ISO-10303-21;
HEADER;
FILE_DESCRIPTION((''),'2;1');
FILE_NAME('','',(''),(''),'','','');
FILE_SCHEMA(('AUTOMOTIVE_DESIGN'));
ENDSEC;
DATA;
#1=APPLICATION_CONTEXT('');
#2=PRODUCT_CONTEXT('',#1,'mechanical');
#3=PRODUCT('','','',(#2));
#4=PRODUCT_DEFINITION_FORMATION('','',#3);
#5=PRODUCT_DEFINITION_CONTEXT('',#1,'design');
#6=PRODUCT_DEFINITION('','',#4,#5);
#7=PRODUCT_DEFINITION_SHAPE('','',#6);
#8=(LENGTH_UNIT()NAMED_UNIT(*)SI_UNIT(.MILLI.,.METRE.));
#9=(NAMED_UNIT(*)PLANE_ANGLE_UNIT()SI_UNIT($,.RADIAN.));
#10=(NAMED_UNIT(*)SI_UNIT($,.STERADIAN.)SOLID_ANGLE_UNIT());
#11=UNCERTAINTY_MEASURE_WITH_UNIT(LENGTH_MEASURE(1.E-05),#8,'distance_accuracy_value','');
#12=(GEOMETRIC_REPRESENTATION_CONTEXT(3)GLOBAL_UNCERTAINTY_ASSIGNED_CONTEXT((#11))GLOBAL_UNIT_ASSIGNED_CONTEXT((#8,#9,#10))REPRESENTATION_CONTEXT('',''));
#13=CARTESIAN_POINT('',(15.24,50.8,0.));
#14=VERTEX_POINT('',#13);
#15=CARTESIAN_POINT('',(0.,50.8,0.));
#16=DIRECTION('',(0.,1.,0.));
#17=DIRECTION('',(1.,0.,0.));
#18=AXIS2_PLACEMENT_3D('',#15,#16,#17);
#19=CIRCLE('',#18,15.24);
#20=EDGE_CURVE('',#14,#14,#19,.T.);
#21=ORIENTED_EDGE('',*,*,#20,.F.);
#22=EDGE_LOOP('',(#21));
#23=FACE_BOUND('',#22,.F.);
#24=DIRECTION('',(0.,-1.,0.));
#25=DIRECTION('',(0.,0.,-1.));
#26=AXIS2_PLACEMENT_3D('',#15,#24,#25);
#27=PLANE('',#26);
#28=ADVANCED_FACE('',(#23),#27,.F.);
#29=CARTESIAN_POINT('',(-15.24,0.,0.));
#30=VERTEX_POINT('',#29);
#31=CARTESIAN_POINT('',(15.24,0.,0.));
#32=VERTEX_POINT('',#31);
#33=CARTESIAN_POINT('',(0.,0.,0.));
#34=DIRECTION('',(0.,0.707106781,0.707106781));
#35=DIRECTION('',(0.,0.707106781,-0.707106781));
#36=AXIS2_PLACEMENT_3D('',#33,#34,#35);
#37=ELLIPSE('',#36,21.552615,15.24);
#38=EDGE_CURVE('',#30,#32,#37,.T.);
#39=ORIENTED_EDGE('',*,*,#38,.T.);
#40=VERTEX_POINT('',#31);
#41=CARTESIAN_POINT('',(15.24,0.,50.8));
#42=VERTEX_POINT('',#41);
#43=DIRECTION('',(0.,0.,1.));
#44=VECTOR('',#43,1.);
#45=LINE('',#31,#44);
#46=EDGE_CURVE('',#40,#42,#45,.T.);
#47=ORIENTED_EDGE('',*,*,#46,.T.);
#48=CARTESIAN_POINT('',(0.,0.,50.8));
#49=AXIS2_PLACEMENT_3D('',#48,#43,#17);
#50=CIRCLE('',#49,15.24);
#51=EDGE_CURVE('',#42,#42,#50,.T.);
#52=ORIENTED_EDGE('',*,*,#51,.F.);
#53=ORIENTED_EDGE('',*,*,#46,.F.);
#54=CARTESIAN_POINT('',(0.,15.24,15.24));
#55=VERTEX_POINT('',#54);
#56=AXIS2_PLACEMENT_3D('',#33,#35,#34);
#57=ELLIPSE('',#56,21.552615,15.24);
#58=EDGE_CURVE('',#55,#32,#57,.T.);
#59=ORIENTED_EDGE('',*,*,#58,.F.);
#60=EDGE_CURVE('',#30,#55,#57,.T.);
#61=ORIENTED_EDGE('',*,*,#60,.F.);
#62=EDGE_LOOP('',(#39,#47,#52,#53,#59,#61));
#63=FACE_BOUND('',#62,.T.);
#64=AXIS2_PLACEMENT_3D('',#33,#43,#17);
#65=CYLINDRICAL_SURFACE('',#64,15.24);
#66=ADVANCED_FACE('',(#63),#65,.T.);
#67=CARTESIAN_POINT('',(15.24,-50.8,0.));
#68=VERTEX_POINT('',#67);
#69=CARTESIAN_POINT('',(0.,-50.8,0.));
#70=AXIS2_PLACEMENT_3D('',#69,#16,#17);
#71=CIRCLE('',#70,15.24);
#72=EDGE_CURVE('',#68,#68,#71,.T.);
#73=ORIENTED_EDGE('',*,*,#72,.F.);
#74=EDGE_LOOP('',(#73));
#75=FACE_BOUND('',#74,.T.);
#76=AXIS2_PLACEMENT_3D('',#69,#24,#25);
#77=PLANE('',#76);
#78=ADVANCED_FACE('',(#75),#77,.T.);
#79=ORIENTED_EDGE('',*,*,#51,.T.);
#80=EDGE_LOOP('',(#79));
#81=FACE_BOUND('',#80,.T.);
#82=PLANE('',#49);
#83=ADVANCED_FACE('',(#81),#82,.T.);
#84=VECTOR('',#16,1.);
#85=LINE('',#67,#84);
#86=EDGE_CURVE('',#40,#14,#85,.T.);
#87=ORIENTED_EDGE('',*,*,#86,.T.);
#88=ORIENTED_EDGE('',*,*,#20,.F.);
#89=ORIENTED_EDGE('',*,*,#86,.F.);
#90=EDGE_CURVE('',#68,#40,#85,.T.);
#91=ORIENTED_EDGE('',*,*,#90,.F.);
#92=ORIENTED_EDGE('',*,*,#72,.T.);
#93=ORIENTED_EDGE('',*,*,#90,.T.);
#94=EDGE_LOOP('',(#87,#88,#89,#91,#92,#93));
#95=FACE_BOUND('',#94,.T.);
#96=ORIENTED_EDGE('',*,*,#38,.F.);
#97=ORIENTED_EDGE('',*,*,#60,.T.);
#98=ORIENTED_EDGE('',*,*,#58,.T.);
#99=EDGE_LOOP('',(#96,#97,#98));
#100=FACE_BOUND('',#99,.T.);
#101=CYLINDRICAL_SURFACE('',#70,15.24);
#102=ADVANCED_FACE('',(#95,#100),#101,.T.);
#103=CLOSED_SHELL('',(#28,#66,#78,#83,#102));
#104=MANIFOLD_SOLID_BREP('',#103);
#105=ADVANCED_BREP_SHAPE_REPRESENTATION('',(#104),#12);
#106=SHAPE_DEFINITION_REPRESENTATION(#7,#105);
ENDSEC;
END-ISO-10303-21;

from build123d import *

# Parameters (mm, degrees)
F1_R = 15.24
F3_R = 15.24


with BuildPart() as f2:
    # F2: sweep along a path in F0
    with BuildLine(Plane.YZ) as f2_path:
        Line((-50.8, 0), (0, 0))
        Line((0, 0), (50.8, 0))
    # F1 (on Front) → F2 (sweep)
    with BuildSketch(Plane.XZ):
        Circle(F1_R)
    sweep(path=f2_path.line)

    # F4: sweep along a path in F0
    with BuildLine(Plane.YZ) as f4_path:
        Line((0, 0), (0, 50.8))
    # F3 (on Top) → F4 (sweep)
    with BuildSketch(Plane.XY):
        Circle(F3_R)
    sweep(path=f4_path.line)


solid = f2.part
